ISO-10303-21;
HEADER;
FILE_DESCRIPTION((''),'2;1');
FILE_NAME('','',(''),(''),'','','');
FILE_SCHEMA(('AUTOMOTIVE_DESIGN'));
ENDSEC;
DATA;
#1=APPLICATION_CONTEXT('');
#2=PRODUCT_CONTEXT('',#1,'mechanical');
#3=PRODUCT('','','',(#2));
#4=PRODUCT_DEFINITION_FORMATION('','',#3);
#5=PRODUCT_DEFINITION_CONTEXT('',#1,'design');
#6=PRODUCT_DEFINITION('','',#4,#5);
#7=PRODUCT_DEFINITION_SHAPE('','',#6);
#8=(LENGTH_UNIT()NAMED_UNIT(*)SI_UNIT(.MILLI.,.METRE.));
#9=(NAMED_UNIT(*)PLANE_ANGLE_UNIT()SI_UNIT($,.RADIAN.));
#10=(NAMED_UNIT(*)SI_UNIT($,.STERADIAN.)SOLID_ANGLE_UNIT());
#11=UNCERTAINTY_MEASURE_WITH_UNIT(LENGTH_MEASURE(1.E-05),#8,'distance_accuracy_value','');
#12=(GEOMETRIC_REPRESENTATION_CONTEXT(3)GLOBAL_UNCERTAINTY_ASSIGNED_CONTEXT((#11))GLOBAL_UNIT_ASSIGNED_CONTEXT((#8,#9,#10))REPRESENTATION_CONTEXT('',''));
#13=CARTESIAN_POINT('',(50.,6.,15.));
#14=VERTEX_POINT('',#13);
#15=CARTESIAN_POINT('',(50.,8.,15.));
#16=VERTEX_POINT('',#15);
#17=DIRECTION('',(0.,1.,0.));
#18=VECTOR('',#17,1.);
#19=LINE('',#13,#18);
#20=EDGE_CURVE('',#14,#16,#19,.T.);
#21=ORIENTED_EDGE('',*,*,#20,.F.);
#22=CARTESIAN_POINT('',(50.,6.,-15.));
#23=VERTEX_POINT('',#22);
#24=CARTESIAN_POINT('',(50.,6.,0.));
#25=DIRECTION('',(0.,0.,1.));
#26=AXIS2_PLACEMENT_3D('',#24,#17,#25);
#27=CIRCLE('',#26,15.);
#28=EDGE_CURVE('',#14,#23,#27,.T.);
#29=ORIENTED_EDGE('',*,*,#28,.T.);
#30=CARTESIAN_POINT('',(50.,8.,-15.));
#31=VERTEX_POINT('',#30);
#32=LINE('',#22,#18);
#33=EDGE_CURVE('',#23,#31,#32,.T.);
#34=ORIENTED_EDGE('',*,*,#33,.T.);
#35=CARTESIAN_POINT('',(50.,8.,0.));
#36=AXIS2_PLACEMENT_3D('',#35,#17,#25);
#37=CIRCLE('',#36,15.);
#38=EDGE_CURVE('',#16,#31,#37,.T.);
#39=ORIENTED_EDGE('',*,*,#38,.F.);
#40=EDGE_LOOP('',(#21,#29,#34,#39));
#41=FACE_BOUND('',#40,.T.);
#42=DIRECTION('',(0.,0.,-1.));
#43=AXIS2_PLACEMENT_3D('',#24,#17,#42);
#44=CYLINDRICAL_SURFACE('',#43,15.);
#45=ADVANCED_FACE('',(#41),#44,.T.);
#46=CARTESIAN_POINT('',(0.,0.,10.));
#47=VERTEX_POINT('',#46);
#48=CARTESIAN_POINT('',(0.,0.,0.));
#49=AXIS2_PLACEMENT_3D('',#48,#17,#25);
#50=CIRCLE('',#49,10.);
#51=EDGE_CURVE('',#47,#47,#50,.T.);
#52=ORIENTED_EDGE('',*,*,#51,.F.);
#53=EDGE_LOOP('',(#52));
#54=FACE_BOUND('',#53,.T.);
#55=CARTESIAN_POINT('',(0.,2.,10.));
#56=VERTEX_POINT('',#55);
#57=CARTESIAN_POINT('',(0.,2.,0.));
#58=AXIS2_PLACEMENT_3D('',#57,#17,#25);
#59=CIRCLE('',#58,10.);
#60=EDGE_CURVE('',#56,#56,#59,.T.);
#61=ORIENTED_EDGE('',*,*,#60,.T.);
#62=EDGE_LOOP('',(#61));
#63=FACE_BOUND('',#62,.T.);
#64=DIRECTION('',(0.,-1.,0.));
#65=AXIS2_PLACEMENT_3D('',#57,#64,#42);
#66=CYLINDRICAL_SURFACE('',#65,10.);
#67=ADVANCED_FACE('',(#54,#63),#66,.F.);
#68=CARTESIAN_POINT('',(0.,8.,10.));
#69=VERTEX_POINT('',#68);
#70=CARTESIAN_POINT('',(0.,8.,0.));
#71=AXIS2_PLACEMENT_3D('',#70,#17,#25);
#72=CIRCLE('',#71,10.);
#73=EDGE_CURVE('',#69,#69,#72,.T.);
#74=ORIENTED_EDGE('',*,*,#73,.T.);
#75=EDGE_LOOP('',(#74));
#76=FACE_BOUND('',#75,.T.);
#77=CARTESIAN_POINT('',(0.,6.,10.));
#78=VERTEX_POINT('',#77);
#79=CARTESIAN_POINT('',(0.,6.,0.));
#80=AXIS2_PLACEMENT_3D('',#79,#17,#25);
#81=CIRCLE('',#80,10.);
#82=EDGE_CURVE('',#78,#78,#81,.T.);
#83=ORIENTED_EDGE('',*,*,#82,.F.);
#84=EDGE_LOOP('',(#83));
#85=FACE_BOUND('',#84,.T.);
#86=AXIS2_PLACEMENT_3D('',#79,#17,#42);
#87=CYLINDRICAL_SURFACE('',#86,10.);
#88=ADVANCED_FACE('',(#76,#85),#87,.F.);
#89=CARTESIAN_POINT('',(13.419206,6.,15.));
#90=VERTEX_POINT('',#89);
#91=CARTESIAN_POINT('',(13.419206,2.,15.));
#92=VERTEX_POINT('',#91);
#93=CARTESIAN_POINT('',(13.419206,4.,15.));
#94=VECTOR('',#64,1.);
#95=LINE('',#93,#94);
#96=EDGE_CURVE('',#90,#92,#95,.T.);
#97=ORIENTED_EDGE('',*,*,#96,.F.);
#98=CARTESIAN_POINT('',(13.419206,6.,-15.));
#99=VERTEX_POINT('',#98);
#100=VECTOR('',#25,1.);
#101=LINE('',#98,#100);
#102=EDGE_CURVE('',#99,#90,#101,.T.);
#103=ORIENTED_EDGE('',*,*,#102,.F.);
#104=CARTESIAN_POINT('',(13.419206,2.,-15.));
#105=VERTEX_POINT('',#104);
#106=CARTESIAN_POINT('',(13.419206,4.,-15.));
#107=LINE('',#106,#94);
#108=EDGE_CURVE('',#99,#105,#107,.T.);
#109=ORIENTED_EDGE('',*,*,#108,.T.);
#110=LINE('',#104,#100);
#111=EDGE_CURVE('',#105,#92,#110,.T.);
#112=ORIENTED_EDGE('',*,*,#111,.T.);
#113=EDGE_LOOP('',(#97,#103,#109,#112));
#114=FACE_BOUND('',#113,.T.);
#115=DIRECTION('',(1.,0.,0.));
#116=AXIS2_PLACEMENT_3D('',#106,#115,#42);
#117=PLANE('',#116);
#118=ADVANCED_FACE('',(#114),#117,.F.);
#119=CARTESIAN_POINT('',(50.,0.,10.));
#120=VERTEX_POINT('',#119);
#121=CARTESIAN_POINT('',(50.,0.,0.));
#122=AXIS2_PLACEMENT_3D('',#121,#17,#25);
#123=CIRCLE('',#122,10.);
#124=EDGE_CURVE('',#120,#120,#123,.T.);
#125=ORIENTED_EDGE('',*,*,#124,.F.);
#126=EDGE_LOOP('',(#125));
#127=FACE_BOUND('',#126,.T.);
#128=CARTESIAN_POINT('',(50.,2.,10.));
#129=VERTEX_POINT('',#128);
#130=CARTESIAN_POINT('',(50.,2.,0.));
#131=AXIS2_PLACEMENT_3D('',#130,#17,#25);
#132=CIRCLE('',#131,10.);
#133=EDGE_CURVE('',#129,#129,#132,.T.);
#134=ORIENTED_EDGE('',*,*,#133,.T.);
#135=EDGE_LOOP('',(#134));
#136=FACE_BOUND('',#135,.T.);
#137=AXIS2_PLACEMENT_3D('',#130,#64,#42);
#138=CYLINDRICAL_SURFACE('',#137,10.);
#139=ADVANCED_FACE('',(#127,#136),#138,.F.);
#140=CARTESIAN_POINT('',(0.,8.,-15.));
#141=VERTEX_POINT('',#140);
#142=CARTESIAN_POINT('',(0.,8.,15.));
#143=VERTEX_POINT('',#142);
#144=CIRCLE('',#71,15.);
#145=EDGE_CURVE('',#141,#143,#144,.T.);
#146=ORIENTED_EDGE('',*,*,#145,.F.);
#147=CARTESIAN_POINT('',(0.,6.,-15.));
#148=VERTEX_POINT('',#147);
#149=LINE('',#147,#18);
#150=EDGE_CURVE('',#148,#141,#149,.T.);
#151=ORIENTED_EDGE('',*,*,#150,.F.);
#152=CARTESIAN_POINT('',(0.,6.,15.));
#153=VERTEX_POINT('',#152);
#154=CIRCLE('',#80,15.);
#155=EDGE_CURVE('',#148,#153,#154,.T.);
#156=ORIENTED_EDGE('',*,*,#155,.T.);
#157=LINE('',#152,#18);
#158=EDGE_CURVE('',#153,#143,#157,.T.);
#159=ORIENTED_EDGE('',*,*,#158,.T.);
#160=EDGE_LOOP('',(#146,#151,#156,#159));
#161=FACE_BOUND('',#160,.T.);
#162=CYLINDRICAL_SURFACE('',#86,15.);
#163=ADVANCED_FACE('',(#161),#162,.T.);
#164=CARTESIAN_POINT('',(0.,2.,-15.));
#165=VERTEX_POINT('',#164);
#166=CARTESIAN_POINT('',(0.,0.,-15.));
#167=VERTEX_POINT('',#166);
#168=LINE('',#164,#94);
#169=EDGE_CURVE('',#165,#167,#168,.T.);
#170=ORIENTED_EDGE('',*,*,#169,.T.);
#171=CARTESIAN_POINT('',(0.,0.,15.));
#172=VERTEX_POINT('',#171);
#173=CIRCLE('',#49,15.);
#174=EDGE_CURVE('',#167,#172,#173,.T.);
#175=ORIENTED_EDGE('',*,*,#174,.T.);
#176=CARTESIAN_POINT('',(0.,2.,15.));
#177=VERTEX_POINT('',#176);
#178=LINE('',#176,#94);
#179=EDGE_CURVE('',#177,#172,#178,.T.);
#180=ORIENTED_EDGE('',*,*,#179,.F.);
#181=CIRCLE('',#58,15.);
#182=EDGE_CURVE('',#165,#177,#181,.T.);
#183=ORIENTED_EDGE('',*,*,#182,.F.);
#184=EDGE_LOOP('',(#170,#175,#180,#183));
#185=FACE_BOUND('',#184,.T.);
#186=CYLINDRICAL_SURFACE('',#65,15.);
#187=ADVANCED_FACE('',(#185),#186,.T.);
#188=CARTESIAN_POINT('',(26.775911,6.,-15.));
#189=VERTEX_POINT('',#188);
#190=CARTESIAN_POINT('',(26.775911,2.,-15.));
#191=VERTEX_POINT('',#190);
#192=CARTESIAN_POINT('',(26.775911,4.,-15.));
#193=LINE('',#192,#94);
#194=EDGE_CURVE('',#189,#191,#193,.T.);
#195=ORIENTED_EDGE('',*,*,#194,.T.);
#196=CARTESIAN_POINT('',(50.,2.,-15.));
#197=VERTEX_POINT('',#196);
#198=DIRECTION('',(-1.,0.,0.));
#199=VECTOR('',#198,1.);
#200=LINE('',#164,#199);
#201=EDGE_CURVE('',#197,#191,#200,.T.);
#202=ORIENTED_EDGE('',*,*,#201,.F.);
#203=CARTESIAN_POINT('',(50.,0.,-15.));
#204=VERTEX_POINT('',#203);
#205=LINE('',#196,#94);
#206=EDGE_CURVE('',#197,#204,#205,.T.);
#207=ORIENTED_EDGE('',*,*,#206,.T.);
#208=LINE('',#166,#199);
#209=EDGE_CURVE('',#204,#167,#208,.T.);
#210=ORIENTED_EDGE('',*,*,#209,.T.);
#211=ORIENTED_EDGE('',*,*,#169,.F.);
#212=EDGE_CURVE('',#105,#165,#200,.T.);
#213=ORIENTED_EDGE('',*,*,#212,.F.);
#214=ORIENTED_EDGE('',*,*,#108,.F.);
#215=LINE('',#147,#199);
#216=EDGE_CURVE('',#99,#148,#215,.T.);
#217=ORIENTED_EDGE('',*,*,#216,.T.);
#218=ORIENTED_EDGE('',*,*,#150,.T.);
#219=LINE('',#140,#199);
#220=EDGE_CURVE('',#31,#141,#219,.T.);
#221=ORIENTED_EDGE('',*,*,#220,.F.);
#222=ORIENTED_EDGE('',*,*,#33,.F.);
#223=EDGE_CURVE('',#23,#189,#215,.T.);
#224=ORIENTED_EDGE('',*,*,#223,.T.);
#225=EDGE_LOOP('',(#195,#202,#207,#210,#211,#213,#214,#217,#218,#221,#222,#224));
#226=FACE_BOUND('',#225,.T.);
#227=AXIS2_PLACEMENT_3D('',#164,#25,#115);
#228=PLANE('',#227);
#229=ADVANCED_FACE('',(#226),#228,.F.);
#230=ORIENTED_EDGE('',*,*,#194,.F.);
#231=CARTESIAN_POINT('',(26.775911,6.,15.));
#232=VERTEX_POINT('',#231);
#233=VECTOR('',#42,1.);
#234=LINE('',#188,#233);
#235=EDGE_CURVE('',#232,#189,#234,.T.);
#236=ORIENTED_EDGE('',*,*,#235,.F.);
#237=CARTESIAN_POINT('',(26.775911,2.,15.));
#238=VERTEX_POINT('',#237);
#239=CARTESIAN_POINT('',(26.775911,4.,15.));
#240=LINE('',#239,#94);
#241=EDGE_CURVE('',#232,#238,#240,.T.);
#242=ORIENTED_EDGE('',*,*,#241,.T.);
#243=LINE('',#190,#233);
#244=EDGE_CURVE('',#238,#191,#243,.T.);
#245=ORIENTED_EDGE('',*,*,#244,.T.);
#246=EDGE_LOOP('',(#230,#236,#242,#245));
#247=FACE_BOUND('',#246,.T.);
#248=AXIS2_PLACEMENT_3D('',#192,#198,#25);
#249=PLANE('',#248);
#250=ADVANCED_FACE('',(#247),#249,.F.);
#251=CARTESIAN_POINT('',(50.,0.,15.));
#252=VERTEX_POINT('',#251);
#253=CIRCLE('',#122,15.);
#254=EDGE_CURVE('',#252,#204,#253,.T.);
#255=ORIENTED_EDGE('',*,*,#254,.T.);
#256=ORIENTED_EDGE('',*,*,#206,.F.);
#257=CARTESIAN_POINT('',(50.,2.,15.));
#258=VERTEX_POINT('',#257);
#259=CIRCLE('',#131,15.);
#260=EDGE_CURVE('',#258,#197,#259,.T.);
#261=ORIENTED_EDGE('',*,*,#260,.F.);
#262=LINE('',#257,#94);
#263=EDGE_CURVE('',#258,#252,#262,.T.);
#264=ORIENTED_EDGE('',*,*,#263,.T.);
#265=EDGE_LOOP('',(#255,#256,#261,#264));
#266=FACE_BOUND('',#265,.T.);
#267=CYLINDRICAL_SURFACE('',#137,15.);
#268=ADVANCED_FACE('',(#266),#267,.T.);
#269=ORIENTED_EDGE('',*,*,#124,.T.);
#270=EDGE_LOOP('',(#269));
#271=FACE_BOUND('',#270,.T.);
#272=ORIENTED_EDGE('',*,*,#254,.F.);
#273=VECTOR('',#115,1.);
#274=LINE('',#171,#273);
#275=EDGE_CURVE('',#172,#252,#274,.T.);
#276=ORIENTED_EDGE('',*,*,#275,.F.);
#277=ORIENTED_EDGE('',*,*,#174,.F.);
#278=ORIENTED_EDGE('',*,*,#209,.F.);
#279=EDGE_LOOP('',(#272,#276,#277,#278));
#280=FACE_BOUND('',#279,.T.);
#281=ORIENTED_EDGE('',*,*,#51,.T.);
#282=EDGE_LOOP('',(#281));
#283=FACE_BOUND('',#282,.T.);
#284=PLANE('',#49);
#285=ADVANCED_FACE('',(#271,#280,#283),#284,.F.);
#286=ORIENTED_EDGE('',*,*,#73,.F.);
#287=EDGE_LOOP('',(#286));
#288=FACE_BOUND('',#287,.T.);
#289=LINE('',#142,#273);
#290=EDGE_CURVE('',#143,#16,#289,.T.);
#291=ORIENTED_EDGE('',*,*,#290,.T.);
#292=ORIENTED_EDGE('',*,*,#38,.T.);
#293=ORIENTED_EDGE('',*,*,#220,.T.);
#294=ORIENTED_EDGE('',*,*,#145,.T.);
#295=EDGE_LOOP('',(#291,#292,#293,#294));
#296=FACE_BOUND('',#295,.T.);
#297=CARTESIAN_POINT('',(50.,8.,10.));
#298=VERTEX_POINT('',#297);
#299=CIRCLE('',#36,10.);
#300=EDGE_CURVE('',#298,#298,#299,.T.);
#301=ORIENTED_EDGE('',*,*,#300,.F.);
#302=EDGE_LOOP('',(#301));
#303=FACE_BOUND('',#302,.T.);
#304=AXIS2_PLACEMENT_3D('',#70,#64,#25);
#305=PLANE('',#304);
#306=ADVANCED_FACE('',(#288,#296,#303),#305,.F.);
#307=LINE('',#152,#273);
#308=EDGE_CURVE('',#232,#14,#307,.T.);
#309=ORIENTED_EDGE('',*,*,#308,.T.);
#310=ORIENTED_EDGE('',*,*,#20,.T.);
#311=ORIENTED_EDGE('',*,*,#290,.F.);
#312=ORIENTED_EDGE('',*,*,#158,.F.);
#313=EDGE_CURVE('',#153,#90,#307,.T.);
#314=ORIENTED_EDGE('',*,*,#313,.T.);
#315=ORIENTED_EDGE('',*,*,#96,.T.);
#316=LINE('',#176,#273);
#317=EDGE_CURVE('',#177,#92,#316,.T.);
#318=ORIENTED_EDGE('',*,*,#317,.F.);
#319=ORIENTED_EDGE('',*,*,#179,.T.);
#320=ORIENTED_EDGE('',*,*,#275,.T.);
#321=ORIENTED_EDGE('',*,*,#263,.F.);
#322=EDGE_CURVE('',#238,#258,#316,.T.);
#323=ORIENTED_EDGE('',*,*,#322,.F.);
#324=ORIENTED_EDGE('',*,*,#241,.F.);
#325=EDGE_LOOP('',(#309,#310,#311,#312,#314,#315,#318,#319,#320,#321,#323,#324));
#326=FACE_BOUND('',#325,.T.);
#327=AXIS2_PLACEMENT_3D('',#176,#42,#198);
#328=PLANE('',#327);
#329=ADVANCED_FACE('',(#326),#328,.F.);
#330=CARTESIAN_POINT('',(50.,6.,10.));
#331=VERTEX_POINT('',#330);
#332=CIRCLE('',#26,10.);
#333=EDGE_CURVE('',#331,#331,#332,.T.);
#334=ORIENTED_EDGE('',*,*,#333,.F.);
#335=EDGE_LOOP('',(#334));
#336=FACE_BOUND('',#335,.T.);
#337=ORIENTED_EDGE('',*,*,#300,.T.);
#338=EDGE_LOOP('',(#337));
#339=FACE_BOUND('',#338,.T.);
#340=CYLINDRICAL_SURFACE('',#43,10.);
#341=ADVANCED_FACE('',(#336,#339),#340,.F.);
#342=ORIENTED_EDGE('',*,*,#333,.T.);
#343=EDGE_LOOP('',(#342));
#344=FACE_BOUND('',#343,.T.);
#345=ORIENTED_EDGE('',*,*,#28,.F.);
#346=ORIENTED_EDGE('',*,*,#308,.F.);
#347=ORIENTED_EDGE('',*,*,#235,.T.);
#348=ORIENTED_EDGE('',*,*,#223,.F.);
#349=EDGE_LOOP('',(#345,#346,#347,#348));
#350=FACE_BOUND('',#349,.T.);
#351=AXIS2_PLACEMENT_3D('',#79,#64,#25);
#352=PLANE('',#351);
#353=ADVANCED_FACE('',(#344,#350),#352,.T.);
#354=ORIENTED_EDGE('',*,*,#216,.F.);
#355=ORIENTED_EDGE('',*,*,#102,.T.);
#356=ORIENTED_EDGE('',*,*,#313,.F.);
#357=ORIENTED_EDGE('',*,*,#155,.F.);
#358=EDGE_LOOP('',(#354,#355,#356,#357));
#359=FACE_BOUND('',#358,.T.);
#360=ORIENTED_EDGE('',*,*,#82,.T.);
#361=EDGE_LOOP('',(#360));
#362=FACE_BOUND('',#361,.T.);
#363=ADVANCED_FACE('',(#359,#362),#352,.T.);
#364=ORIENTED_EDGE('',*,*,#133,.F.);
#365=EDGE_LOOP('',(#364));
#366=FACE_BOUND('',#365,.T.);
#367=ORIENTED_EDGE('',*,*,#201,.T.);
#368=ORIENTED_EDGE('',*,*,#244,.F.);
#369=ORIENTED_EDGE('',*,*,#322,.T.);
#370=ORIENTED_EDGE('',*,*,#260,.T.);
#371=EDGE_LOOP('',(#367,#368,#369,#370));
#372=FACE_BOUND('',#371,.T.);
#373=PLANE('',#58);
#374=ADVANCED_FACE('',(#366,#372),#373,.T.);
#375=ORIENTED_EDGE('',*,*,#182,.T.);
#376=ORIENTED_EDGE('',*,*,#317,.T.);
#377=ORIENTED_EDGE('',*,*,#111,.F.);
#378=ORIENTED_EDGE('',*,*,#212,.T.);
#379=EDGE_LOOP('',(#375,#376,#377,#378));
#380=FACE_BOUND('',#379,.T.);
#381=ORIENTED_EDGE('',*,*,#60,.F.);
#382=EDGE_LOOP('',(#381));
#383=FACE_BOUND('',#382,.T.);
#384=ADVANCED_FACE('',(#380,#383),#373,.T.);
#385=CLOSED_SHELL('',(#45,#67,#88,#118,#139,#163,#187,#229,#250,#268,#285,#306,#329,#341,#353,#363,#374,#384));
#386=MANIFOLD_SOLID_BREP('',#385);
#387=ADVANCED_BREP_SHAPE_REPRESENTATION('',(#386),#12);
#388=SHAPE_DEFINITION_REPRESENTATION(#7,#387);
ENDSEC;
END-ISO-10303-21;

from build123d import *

# Parameters (mm, degrees)
SKETCH_1_R      = 10
EXTRUDE_1_DEPTH = 2
SKETCH_2_W      = 13.356704287
SKETCH_2_H      = 30
EXTRUDE_2_DEPTH = 2


with BuildPart() as part:
    # 草图1 → 凸台-拉伸1 (new body)
    with BuildSketch(Plane(origin=(0, 0, 0), x_dir=(1, 0, 0), z_dir=(0, 1, 0))):
        with BuildLine():
            Line((0, 15), (50, 15))
            ThreePointArc((50, 15), (65, 0), (50, -15))
            Line((50, -15), (0, -15))
            ThreePointArc((0, -15), (-15, 0), (0, 15))
        make_face()
        with Locations(Location((0, 0, 0), (0, 0, 270))):
            Circle(SKETCH_1_R, mode=Mode.SUBTRACT)
        with Locations(Location((50, 0, 0), (0, 0, 270))):
            Circle(SKETCH_1_R, mode=Mode.SUBTRACT)
    extrude_1 = extrude(amount=EXTRUDE_1_DEPTH)

    # 草图2 → 凸台-拉伸2 (add)
    with BuildSketch(Plane(origin=(0, 2, 0), x_dir=(1, 0, 0), z_dir=(0, 1, 0))):
        with Locations((20.097558378, 0)):
            Rectangle(SKETCH_2_W, SKETCH_2_H)
    extrude_2 = extrude(amount=EXTRUDE_2_DEPTH)

    # 镜向1: 凸台-拉伸1, 凸台-拉伸2 across plane
    add(extrude_1.mirror(Plane.ZX.offset(4)))
    add(extrude_2.mirror(Plane.ZX.offset(4)))


solid = part.part
